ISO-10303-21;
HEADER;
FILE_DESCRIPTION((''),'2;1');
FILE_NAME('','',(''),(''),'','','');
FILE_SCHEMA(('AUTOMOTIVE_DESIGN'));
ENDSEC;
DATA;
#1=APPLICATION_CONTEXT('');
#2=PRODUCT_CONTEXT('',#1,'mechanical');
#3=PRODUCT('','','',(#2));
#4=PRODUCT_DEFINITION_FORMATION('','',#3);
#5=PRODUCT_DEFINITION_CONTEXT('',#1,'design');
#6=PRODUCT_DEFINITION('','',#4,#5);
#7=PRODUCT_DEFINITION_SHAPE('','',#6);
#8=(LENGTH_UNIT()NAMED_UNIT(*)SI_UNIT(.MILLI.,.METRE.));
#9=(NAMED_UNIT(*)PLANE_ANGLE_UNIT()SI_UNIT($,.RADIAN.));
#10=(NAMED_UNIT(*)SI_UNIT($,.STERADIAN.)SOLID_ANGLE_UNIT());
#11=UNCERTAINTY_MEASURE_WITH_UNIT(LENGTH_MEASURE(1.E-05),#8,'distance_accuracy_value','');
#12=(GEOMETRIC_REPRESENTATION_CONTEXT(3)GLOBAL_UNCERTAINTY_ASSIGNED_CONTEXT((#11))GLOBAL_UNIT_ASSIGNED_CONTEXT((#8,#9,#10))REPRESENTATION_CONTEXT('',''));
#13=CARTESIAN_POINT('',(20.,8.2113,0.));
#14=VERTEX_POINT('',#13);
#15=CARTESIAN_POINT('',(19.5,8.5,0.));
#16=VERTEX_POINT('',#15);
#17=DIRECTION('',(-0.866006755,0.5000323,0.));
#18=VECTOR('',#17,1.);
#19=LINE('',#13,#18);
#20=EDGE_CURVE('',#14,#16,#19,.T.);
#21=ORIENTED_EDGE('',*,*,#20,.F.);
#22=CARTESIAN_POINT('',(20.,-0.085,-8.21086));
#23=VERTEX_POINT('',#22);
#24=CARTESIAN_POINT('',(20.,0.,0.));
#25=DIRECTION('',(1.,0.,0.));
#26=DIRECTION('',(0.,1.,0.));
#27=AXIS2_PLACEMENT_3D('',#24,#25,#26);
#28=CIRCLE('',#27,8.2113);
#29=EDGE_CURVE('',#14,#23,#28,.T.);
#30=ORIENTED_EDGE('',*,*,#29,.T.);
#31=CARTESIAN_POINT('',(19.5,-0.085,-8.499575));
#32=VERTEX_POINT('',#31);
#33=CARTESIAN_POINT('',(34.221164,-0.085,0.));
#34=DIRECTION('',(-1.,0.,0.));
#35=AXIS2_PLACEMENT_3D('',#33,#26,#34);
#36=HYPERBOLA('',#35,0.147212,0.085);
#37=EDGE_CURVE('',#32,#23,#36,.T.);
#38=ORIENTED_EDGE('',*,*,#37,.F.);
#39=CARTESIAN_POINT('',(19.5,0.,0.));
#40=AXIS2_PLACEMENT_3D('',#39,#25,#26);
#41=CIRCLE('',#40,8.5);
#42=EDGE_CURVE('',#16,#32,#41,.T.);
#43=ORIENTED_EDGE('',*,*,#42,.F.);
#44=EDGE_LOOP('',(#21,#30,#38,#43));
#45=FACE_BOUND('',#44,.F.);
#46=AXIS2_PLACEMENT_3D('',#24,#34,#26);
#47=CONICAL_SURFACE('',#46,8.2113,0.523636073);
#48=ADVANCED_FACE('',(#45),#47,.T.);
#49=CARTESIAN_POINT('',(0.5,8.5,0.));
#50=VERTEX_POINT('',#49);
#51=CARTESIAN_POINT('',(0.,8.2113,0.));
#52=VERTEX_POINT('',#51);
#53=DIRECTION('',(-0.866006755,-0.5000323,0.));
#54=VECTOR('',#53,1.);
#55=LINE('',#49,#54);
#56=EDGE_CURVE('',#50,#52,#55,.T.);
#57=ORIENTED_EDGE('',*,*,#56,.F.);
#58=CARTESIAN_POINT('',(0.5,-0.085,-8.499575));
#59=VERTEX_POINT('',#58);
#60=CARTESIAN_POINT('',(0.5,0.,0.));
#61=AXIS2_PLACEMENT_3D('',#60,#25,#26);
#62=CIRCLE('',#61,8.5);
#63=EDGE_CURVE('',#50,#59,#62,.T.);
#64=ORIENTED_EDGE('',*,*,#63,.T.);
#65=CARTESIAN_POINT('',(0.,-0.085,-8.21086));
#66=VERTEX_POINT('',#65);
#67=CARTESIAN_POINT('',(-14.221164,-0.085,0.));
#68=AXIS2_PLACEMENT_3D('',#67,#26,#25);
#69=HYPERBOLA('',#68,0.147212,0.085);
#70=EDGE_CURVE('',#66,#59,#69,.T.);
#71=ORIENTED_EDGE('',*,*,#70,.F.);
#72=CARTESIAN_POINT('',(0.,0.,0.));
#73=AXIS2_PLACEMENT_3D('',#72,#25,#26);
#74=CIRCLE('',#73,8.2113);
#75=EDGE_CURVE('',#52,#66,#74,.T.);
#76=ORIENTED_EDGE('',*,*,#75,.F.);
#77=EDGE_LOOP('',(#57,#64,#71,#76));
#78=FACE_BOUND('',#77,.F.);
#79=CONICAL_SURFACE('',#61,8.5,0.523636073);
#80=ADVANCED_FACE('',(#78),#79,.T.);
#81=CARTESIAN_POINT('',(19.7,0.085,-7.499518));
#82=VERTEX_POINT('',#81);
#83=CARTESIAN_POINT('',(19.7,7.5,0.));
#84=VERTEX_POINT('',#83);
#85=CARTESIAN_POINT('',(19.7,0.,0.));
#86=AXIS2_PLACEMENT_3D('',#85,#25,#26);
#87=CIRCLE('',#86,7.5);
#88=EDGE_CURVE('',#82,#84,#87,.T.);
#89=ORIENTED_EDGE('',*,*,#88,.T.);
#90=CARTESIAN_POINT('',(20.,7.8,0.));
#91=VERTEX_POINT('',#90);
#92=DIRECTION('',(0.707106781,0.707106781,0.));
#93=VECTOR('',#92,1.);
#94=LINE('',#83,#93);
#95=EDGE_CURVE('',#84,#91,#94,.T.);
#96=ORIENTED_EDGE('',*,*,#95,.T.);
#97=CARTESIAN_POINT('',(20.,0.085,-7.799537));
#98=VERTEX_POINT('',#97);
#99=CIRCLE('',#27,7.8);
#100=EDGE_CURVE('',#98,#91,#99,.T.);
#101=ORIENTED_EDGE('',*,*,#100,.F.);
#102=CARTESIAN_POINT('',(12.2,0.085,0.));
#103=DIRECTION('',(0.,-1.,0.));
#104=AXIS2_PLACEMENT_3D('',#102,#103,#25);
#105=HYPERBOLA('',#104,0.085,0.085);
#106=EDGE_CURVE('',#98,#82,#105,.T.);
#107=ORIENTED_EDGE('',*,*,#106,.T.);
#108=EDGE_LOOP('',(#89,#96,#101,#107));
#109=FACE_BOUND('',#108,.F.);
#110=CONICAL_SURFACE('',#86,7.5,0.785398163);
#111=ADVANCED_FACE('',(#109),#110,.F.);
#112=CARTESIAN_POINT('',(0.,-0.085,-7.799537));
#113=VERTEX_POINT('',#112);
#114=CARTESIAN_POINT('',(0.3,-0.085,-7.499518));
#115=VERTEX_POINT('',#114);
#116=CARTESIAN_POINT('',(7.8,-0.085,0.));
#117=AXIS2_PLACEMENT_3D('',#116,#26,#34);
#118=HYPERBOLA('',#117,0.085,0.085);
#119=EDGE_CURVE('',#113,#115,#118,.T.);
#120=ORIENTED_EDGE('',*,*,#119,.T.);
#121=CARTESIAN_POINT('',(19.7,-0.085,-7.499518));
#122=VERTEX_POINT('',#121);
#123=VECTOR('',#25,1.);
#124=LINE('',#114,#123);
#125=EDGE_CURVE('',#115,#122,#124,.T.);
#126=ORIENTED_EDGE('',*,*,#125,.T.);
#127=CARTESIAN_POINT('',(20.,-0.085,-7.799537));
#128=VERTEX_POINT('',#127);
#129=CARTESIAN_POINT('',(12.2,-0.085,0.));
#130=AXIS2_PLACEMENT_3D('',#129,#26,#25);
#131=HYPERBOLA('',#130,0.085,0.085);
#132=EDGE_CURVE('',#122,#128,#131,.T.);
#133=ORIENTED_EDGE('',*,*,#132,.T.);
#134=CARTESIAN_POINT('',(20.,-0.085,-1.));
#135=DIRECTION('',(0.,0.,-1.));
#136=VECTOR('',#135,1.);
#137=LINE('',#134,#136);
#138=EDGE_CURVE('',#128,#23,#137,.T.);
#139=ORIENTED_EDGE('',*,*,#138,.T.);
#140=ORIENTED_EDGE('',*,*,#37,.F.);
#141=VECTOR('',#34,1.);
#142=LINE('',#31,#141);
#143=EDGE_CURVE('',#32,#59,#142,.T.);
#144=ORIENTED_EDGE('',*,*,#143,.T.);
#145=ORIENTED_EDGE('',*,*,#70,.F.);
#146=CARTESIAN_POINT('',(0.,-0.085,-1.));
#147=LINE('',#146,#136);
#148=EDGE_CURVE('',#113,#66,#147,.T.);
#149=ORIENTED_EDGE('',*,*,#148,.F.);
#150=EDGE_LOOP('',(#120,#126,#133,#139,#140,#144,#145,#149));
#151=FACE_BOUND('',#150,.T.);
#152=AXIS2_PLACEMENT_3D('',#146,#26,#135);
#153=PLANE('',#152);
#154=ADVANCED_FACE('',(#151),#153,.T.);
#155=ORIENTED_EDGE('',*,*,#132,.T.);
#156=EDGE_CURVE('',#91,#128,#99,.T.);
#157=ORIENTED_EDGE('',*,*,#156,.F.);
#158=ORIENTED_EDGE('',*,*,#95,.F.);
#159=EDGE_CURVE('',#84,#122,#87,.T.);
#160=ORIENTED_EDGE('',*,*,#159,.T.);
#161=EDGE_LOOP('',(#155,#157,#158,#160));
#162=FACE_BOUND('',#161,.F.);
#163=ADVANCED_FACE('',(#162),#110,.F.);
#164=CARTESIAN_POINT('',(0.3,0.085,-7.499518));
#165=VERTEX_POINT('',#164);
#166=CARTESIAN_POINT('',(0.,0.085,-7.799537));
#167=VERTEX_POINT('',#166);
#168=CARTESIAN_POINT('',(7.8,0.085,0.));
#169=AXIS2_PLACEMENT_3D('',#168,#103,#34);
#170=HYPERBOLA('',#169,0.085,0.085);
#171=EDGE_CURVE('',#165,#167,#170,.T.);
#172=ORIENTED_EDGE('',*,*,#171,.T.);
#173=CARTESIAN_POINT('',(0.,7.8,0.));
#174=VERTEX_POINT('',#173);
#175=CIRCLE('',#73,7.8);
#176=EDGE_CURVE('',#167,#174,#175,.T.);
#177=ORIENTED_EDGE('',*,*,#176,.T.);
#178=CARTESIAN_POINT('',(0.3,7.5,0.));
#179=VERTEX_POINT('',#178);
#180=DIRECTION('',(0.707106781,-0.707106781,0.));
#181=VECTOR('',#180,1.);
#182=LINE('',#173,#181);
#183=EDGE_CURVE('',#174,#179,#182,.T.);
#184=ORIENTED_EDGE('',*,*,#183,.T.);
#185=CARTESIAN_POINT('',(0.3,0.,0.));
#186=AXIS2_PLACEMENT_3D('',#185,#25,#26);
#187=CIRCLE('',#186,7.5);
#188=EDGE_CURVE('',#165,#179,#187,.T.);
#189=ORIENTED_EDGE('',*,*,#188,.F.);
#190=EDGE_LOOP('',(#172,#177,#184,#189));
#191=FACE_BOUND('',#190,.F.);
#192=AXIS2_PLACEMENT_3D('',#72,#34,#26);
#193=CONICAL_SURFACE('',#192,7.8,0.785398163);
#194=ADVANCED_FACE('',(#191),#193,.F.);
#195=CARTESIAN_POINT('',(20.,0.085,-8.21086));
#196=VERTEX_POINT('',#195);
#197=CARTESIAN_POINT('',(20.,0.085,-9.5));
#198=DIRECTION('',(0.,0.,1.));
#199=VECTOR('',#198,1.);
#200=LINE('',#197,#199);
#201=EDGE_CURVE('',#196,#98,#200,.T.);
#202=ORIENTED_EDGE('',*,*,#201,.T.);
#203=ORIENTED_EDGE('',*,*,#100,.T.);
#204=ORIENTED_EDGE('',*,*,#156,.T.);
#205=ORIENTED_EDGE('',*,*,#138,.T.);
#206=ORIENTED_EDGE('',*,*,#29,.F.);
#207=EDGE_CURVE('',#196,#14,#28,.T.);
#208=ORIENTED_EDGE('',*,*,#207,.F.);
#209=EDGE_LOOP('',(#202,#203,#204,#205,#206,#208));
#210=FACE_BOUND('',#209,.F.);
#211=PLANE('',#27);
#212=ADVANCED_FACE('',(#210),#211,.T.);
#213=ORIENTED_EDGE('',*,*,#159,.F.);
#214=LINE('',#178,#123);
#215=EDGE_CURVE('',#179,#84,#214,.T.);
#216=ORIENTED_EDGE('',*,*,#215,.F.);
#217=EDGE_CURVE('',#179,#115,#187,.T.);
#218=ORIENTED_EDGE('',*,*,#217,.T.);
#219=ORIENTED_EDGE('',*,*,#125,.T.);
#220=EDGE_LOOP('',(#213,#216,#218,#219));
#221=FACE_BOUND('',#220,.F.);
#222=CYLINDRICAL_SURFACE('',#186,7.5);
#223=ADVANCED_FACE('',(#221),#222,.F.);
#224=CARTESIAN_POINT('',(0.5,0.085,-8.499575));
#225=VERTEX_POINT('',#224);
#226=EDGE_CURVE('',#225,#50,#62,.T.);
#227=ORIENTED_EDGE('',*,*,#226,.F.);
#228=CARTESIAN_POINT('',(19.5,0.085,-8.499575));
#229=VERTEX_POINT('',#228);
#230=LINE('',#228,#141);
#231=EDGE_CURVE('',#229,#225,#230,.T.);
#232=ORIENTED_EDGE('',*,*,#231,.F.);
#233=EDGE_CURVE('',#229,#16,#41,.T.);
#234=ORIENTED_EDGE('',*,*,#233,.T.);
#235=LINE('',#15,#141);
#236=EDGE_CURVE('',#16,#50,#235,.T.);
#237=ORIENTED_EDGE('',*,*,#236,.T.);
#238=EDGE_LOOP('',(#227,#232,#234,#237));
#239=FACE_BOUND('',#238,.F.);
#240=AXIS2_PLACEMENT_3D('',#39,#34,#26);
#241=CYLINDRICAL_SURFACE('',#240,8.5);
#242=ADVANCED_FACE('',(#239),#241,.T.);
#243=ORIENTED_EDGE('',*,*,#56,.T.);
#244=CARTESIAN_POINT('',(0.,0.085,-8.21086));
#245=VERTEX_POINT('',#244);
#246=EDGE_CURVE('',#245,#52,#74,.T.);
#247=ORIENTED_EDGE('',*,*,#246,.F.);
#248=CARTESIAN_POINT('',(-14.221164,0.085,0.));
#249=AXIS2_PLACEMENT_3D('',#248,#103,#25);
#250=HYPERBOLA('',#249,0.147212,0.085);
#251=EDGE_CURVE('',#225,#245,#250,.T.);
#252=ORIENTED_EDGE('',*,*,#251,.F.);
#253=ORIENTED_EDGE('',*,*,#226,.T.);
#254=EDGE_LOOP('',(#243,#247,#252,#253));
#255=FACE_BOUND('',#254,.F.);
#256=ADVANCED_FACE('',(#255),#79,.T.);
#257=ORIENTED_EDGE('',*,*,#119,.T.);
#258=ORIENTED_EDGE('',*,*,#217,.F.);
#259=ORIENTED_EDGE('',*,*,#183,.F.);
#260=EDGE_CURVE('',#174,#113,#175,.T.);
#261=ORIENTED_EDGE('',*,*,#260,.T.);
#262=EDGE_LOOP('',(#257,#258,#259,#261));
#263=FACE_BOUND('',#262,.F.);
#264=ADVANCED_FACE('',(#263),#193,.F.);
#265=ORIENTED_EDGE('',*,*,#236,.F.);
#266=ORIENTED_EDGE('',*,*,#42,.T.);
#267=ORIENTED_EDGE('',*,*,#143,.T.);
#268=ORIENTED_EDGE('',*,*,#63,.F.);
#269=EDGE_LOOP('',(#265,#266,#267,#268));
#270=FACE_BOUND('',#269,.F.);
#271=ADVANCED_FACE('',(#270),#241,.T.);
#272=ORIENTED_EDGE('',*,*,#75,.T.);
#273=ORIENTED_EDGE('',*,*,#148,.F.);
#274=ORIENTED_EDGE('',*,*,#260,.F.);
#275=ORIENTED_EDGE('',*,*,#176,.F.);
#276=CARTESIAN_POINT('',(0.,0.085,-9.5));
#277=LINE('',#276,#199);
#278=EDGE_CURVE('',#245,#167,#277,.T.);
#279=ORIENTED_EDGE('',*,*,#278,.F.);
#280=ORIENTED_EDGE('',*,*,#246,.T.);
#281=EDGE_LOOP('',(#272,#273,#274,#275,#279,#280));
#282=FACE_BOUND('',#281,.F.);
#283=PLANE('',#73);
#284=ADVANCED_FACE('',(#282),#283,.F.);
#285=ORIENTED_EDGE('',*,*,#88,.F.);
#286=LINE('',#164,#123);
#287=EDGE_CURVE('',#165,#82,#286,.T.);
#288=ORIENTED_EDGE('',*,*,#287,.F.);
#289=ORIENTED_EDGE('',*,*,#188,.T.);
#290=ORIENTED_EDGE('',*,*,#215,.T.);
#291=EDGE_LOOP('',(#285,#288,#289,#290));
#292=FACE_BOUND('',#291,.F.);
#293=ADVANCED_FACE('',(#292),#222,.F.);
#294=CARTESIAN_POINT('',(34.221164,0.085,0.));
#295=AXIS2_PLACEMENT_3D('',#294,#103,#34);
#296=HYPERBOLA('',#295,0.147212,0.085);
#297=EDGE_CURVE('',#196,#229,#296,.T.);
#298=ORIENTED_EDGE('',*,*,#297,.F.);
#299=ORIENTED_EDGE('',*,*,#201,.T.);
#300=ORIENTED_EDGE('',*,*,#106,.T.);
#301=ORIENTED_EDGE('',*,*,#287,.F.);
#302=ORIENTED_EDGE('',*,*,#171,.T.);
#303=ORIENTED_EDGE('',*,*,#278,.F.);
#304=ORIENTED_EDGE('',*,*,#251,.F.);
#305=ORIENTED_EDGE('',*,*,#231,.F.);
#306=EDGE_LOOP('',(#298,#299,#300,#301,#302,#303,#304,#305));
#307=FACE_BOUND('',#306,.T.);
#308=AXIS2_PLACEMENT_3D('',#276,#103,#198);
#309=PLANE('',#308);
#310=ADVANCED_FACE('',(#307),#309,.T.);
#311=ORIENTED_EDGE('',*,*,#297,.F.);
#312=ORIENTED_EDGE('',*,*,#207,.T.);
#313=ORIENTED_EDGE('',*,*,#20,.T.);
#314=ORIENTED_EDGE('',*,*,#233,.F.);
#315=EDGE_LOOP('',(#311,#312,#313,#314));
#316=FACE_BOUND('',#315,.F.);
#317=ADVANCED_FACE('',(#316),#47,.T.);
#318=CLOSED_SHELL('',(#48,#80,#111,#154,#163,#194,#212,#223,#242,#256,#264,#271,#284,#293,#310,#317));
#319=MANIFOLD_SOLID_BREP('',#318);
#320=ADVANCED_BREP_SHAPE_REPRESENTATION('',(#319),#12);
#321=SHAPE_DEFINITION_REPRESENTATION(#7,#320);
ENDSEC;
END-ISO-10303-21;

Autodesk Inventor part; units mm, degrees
ref_plane "YZ Plane" through (0, 0, 0) normal (1, 0, 0) x (0, 1, 0)
ref_plane "XZ Plane" through (0, 0, 0) normal (0, 1, 0) x (-1, 0, 0)
ref_plane "XY Plane" through (0, 0, 0) normal (0, 0, 1) x (1, 0, 0)
sketch "Sketch_1" plane through (0, 0, 0) normal (0, 0, 1) x (1, 0, 0)
  line L0 (20, 0) -> (0, 0)
  line L1 (0, 7.8) -> (0.3, 7.5)
  line L2 (0.3, 7.5) -> (19.7, 7.5)
  line L3 (19.7, 7.5) -> (20, 7.8)
  line L4 (20, 7.8) -> (20, 8.2113)
  line L5 (20, 8.2113) -> (19.5, 8.5)
  line L6 (19.5, 8.5) -> (0.5, 8.5)
  line L7 (0.5, 8.5) -> (0, 8.2113)
  line L8 (0, 8.2113) -> (0, 7.8)
revolve "Revolution1" add sketch "Sketch_1" angle 360 about axis through (20, 0, 0) along (1, 0, 0)
sketch "Sketch_3" plane through (0, 0, 0) normal (1, 0, 0) x (0, 1, 0)
  line L0 (0.085, -1) -> (-0.085, -1)
  line L1 (-0.085, -1) -> (-0.085, -9.5)
  line L2 (-0.085, -9.5) -> (0.085, -9.5)
  line L3 (0.085, -9.5) -> (0.085, -1)
extrude "Extrusion1" cut sketch "Sketch_3" along normal blind 20
properties part number "DBB1520"
